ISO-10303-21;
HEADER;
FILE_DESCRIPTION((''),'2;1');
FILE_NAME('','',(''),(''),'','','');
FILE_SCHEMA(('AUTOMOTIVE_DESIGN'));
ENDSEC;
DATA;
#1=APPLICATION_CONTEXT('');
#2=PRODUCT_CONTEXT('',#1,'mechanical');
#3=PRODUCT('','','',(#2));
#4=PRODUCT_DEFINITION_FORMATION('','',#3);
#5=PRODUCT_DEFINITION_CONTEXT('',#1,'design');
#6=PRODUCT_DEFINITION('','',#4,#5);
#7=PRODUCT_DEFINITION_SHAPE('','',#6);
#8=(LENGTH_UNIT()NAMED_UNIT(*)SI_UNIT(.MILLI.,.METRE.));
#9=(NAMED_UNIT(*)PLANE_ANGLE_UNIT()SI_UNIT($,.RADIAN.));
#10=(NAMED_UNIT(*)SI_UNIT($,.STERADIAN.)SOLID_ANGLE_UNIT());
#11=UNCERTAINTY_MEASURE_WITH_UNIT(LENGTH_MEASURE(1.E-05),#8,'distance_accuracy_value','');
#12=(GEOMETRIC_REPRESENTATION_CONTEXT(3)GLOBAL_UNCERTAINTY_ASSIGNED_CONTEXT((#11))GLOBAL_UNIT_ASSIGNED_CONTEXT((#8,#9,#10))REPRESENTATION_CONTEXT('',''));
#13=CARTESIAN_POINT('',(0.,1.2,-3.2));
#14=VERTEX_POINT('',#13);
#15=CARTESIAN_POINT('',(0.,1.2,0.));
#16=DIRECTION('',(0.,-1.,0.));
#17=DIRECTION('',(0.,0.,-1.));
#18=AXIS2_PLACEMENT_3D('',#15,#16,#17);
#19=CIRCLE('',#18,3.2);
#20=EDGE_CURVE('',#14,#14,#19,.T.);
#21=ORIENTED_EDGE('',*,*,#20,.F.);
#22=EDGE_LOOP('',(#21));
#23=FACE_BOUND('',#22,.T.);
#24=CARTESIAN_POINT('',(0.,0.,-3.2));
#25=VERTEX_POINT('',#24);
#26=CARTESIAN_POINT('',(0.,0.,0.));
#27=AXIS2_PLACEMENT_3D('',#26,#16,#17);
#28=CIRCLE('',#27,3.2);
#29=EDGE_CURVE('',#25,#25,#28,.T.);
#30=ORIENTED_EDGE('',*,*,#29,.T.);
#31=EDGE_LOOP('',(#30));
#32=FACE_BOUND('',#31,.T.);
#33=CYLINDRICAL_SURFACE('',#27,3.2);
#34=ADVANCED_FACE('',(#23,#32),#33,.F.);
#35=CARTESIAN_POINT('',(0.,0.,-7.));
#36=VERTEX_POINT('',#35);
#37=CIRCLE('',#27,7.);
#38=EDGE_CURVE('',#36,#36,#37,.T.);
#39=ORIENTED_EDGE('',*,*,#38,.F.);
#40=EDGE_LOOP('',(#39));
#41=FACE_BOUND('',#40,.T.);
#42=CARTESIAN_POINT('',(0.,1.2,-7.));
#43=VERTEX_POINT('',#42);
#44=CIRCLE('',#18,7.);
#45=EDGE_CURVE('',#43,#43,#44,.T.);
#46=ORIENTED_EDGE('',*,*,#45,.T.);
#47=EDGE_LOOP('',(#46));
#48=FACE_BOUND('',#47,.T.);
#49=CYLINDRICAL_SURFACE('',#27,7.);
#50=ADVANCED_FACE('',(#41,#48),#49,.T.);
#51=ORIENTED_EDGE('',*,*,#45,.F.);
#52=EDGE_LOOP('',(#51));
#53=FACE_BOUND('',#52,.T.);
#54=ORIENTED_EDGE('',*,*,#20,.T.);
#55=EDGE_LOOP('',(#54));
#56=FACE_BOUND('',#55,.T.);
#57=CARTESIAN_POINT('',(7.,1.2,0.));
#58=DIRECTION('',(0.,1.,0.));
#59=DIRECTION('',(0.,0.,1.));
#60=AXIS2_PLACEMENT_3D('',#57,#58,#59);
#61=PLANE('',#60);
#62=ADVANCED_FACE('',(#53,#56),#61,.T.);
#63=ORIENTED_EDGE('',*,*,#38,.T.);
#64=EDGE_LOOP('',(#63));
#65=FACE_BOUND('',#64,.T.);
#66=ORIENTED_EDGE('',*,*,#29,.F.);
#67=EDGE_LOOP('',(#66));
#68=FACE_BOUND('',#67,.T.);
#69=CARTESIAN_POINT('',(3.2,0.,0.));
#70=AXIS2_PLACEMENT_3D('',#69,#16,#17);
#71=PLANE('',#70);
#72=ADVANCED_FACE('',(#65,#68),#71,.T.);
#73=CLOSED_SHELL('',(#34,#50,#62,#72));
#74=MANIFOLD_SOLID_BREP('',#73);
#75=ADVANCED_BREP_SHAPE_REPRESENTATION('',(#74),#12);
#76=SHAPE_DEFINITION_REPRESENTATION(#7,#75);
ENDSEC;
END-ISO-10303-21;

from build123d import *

# Parameters (mm, degrees)
ESQUISSE1_W = 3.8
ESQUISSE1_H = 1.2


with BuildPart() as part:
    # Esquisse1 → Base (revolve)
    with BuildSketch(Plane.XY):
        with Locations((5.1, 0.6)):
            Rectangle(ESQUISSE1_W, ESQUISSE1_H)
    revolve(axis=Axis((0, 0, 0), (0, 1, 0)))


solid = part.part
